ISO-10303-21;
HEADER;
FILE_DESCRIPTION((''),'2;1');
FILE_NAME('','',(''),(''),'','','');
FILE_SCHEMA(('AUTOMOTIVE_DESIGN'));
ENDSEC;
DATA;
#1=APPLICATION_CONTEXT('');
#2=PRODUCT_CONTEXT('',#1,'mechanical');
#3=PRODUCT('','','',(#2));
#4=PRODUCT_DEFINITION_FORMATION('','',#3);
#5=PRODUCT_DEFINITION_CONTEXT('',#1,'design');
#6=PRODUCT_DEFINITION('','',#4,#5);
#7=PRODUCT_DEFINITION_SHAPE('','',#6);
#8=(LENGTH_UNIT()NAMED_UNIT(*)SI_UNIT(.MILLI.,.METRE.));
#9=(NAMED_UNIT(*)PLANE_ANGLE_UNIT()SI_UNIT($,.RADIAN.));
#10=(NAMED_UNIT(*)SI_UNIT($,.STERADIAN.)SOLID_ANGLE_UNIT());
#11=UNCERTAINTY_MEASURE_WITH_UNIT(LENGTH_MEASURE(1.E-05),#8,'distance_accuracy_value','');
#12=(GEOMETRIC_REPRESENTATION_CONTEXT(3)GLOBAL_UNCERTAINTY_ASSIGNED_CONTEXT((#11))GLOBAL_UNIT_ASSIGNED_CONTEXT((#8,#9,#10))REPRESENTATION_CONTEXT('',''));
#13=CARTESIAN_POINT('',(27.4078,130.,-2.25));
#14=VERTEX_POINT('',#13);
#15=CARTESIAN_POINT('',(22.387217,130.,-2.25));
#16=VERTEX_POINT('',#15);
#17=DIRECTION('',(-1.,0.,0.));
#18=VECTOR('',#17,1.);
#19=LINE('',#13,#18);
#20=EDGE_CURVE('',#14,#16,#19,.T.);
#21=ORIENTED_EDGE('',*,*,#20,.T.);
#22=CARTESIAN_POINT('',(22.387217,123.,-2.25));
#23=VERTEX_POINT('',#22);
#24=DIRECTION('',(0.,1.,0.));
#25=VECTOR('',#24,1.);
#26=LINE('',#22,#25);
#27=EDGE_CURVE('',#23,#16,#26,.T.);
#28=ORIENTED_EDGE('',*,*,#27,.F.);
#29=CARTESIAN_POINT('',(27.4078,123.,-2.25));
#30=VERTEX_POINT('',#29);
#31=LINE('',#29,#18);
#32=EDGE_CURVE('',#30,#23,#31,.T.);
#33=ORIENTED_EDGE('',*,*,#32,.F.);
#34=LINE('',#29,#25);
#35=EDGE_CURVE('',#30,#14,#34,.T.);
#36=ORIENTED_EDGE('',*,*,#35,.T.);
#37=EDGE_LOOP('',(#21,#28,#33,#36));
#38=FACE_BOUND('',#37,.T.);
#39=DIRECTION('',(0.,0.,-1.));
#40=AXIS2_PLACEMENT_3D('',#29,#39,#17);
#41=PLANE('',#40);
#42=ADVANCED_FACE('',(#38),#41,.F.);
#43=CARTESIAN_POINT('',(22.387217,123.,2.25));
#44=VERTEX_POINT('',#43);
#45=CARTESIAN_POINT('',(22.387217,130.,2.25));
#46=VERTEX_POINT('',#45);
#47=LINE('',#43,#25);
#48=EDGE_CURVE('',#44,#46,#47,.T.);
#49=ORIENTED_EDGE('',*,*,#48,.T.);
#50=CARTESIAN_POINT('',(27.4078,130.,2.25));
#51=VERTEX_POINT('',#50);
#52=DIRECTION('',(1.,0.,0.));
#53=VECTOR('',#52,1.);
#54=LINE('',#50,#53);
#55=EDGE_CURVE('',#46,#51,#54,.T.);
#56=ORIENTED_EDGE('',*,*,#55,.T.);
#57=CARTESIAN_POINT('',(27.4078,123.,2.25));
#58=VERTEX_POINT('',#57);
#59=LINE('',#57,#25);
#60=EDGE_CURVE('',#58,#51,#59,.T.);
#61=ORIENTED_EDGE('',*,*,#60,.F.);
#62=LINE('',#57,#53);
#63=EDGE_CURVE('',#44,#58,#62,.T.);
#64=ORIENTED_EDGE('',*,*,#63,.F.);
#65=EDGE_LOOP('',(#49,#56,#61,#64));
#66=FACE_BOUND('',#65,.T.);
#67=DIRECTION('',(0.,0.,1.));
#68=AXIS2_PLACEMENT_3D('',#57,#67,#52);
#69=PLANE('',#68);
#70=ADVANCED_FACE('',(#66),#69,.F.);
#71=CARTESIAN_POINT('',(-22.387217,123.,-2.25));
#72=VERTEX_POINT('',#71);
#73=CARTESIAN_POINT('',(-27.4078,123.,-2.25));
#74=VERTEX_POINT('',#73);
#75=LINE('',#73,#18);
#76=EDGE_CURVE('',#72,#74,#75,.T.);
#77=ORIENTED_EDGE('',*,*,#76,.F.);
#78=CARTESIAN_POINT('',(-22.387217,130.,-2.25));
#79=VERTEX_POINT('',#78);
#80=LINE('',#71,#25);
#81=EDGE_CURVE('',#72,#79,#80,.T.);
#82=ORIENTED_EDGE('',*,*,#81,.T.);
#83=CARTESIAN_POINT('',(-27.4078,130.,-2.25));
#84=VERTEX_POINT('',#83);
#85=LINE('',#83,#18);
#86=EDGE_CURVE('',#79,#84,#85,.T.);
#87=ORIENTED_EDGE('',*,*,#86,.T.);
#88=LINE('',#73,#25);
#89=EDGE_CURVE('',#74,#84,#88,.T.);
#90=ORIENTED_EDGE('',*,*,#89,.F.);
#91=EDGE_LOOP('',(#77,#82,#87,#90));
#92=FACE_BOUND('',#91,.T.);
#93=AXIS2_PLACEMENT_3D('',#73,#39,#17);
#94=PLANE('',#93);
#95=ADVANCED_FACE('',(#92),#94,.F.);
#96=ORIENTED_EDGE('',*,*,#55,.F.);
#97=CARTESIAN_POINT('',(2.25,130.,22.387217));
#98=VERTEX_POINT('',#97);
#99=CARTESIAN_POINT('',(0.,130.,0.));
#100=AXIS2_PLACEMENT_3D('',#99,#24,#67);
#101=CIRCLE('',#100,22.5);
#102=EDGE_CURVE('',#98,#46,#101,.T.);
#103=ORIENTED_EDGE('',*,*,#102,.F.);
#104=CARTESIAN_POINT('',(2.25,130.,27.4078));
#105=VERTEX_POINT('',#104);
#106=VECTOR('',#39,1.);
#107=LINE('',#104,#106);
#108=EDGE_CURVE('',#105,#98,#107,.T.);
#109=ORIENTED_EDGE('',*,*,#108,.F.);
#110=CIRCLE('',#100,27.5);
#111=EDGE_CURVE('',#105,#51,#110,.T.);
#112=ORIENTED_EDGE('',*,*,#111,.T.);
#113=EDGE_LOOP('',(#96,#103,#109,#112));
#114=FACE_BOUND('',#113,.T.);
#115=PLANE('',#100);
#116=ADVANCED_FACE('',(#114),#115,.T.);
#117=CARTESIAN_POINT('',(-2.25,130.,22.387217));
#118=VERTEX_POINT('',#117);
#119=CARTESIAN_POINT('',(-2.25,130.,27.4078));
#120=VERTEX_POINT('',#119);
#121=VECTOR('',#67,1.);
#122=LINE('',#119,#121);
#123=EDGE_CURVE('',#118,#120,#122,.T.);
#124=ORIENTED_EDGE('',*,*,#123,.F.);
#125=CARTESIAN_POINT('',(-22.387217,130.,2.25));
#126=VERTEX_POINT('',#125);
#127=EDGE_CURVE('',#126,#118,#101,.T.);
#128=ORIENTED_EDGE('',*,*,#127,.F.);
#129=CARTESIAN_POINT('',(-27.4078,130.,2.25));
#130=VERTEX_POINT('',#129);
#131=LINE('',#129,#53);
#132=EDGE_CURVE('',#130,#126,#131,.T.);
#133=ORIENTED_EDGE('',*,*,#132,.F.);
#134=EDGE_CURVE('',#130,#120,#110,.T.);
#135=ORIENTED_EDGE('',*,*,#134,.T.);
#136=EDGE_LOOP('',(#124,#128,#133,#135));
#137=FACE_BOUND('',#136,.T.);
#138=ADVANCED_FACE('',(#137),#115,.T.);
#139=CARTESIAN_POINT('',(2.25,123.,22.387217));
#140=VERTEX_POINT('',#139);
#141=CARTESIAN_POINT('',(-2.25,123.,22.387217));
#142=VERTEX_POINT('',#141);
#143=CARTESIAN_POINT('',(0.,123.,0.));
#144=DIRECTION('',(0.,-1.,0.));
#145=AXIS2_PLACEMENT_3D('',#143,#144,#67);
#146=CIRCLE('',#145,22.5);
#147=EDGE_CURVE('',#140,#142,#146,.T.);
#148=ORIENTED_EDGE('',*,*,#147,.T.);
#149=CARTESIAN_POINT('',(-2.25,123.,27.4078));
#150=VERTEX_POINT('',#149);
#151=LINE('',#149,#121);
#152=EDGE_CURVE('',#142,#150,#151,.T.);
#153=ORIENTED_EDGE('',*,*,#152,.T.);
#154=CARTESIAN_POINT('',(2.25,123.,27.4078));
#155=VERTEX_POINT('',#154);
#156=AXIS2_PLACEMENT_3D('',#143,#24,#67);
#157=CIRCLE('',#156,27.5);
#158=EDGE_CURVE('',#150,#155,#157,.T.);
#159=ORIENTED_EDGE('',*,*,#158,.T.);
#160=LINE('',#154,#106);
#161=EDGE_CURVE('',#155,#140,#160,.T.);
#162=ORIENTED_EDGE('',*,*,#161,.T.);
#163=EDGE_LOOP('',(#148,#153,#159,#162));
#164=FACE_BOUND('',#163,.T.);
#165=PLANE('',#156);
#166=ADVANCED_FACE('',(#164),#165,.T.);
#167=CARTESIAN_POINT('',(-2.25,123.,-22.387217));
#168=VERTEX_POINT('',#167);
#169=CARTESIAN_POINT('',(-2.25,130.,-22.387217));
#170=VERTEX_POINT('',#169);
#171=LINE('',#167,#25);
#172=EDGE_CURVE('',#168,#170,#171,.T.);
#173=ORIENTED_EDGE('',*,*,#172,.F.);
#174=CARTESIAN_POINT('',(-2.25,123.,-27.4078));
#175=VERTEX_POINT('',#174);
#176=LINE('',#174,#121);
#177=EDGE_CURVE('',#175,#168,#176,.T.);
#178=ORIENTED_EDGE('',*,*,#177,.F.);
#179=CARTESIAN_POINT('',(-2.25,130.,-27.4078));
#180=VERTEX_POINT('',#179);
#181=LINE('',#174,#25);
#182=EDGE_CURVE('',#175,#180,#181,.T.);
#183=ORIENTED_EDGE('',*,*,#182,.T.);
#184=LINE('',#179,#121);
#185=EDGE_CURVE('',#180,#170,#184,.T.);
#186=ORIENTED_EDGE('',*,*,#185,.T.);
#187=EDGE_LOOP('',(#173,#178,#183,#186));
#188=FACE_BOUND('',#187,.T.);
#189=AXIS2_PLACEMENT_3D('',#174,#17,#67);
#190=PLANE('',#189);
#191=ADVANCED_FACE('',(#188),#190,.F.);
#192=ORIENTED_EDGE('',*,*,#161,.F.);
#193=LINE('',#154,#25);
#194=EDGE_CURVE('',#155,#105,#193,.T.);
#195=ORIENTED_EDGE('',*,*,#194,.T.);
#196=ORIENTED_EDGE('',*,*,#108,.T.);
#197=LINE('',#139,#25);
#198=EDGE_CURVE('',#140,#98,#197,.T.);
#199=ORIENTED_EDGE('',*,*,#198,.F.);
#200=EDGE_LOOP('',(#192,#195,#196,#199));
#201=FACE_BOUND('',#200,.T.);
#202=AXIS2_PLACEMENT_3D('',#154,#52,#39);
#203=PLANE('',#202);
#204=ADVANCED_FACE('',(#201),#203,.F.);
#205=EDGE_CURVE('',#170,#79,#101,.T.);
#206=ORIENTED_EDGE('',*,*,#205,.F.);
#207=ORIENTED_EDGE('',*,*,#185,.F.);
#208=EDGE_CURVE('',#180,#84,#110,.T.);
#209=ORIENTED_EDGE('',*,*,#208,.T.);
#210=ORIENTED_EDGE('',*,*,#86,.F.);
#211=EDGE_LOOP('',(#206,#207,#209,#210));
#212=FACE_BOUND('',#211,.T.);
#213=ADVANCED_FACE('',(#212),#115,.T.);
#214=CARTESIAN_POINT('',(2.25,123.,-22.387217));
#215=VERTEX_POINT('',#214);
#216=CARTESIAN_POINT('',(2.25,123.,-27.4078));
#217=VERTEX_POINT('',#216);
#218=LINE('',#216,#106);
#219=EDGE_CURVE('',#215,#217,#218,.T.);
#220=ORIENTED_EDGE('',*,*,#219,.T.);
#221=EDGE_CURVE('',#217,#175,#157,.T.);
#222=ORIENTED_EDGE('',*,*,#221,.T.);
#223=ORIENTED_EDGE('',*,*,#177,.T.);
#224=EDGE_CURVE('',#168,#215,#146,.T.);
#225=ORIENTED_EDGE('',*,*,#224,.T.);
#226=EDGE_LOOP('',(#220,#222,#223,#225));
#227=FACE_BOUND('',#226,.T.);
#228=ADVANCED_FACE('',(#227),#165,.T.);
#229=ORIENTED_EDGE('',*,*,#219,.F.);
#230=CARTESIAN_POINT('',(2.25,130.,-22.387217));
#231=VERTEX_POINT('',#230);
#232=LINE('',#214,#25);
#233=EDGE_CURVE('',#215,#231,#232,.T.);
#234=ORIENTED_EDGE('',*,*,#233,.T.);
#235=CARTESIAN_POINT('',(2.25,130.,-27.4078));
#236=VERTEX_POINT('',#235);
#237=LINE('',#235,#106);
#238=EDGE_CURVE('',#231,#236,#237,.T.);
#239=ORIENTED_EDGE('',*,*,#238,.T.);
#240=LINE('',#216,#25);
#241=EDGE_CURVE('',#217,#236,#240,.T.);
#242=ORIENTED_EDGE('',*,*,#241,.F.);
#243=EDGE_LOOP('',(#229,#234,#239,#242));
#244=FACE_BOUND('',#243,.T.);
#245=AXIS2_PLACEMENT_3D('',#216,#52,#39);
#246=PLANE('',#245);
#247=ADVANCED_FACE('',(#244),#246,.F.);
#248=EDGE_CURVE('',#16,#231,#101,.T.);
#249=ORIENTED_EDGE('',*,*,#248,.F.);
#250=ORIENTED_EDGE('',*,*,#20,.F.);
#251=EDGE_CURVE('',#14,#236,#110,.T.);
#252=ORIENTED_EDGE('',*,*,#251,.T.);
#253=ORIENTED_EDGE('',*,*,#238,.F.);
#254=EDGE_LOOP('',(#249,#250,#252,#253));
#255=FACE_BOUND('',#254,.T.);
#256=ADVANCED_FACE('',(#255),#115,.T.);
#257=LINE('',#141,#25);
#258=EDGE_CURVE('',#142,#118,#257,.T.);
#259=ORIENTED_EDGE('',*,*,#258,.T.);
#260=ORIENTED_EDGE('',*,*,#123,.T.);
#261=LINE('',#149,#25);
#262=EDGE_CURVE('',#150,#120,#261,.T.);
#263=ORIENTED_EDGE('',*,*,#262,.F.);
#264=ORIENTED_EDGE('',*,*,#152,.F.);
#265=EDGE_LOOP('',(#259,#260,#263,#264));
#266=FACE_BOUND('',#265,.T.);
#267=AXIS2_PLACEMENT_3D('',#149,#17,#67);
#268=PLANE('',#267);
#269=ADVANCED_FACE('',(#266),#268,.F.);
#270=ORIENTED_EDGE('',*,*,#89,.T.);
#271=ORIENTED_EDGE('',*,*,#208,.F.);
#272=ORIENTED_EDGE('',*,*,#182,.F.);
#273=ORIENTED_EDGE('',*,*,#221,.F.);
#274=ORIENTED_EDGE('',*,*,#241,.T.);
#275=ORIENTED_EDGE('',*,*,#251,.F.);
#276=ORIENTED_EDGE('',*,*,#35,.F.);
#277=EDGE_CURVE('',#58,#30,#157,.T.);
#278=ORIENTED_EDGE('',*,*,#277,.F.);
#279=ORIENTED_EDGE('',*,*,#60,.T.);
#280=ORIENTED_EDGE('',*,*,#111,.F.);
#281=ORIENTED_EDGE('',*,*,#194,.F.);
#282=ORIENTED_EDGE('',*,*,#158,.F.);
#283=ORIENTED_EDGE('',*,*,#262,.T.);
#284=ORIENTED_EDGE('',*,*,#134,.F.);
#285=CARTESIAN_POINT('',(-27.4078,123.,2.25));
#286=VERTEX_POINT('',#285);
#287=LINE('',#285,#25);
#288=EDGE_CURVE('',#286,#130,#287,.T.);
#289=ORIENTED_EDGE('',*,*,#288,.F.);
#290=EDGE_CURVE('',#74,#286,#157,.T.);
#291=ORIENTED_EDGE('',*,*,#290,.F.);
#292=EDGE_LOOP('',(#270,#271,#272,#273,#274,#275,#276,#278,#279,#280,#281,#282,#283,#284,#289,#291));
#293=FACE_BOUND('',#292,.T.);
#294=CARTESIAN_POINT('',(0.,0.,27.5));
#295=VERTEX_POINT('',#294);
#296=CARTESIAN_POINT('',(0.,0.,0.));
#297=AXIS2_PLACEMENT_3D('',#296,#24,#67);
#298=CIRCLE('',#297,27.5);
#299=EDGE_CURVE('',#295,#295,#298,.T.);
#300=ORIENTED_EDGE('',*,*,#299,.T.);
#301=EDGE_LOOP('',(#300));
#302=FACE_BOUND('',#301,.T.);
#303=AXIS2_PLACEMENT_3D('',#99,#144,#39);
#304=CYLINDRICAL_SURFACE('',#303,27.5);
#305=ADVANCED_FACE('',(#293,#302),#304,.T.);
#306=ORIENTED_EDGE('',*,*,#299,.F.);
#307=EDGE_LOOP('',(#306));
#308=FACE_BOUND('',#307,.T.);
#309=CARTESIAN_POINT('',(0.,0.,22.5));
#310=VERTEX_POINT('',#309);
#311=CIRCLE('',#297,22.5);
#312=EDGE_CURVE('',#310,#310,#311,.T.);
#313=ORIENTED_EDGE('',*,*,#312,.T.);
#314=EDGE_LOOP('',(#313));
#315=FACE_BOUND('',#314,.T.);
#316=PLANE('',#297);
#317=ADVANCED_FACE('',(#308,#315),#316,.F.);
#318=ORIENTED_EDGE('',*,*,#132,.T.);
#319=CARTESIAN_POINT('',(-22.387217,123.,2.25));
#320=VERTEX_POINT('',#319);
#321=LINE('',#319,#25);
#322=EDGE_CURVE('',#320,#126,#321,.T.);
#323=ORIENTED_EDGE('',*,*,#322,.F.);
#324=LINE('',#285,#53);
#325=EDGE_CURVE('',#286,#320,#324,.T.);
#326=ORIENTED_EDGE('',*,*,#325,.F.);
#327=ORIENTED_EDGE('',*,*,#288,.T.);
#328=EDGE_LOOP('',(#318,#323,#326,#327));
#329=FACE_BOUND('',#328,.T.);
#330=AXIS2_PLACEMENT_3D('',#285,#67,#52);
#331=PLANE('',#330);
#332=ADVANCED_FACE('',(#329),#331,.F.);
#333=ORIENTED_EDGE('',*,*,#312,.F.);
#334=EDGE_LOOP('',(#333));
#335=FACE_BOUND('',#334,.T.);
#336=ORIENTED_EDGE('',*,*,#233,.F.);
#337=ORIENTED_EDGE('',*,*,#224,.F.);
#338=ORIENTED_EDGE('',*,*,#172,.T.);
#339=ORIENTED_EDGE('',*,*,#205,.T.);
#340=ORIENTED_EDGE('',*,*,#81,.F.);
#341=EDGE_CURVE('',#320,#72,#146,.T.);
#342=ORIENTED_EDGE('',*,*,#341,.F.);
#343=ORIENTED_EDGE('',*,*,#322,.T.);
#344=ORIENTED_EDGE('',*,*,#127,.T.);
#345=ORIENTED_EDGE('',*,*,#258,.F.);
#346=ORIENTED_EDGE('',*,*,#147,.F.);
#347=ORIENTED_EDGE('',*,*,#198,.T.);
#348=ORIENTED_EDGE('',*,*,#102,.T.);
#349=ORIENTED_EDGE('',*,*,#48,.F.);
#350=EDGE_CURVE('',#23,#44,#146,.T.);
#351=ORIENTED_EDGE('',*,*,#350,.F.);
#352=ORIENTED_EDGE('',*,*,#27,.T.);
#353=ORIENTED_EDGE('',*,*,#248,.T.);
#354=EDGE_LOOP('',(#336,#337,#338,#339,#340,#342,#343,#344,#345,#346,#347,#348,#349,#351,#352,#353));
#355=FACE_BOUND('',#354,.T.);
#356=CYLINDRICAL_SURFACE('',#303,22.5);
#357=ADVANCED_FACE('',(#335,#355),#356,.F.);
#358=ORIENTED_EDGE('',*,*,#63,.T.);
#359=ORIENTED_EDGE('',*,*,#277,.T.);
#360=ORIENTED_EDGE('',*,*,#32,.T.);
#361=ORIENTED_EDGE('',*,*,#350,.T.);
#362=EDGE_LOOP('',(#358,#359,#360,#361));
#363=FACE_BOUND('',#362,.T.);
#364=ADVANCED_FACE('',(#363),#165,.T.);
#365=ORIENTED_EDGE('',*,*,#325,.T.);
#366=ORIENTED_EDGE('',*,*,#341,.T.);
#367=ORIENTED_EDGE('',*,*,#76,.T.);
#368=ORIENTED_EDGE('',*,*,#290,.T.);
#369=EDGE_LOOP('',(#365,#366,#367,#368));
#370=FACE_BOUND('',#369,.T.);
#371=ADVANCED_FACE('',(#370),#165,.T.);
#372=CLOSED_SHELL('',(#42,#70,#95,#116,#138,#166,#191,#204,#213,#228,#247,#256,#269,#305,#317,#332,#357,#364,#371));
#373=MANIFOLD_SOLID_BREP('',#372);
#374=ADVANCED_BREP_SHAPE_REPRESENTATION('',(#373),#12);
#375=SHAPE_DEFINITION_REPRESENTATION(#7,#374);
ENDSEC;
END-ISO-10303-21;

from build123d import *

# Parameters (mm, degrees)
SKETCH1_R           = 27.5
SKETCH1_R_2         = 22.5
BOSS_EXTRUDE1_DEPTH = 130
CUT_EXTRUDE1_START  = -7
CUT_EXTRUDE1_DEPTH  = 7


with BuildPart() as part:
    # Sketch1 → Boss-Extrude1 (new body)
    with BuildSketch(Plane(origin=(0, 0, 0), x_dir=(1, 0, 0), z_dir=(0, 1, 0))):
        with Locations(Location((0, 0, 0), (0, 0, 270))):
            Circle(SKETCH1_R)
        with Locations(Location((0, 0, 0), (0, 0, 270))):
            Circle(SKETCH1_R_2, mode=Mode.SUBTRACT)
    extrude(amount=BOSS_EXTRUDE1_DEPTH)

    # Sketch2 → Cut-Extrude1 (cut)
    with BuildSketch(Plane(origin=(0, 130, 0), x_dir=(1, 0, 0), z_dir=(0, 1, 0)).offset(CUT_EXTRUDE1_START)):
        with BuildLine():
            Line((-27.407799985, 2.25), (-22.387217335, 2.25))
            ThreePointArc((-22.387217335, 2.25), (-22.5, 0), (-22.387217335, -2.25))
            Line((-22.387217335, -2.25), (-27.407799985, -2.25))
            ThreePointArc((-27.407799985, -2.25), (-27.5, 0), (-27.407799985, 2.25))
        make_face()
        with BuildLine():
            Line((27.407799985, -2.25), (22.387217335, -2.25))
            ThreePointArc((22.387217335, -2.25), (22.5, 0), (22.387217335, 2.25))
            Line((22.387217335, 2.25), (27.407799985, 2.25))
            ThreePointArc((27.407799985, 2.25), (27.5, 0), (27.407799985, -2.25))
        make_face()
        with BuildLine():
            Line((-2.25, 27.407799985), (-2.25, 22.387217335))
            ThreePointArc((-2.25, 22.387217335), (0, 22.5), (2.25, 22.387217335))
            Line((2.25, 22.387217335), (2.25, 27.407799985))
            ThreePointArc((2.25, 27.407799985), (0, 27.5), (-2.25, 27.407799985))
        make_face()
        with BuildLine():
            Line((-2.25, -27.407799985), (-2.25, -22.387217335))
            ThreePointArc((-2.25, -22.387217335), (0, -22.5), (2.25, -22.387217335))
            Line((2.25, -22.387217335), (2.25, -27.407799985))
            ThreePointArc((2.25, -27.407799985), (0, -27.5), (-2.25, -27.407799985))
        make_face()
    extrude(amount=CUT_EXTRUDE1_DEPTH, mode=Mode.SUBTRACT)


solid = part.part
